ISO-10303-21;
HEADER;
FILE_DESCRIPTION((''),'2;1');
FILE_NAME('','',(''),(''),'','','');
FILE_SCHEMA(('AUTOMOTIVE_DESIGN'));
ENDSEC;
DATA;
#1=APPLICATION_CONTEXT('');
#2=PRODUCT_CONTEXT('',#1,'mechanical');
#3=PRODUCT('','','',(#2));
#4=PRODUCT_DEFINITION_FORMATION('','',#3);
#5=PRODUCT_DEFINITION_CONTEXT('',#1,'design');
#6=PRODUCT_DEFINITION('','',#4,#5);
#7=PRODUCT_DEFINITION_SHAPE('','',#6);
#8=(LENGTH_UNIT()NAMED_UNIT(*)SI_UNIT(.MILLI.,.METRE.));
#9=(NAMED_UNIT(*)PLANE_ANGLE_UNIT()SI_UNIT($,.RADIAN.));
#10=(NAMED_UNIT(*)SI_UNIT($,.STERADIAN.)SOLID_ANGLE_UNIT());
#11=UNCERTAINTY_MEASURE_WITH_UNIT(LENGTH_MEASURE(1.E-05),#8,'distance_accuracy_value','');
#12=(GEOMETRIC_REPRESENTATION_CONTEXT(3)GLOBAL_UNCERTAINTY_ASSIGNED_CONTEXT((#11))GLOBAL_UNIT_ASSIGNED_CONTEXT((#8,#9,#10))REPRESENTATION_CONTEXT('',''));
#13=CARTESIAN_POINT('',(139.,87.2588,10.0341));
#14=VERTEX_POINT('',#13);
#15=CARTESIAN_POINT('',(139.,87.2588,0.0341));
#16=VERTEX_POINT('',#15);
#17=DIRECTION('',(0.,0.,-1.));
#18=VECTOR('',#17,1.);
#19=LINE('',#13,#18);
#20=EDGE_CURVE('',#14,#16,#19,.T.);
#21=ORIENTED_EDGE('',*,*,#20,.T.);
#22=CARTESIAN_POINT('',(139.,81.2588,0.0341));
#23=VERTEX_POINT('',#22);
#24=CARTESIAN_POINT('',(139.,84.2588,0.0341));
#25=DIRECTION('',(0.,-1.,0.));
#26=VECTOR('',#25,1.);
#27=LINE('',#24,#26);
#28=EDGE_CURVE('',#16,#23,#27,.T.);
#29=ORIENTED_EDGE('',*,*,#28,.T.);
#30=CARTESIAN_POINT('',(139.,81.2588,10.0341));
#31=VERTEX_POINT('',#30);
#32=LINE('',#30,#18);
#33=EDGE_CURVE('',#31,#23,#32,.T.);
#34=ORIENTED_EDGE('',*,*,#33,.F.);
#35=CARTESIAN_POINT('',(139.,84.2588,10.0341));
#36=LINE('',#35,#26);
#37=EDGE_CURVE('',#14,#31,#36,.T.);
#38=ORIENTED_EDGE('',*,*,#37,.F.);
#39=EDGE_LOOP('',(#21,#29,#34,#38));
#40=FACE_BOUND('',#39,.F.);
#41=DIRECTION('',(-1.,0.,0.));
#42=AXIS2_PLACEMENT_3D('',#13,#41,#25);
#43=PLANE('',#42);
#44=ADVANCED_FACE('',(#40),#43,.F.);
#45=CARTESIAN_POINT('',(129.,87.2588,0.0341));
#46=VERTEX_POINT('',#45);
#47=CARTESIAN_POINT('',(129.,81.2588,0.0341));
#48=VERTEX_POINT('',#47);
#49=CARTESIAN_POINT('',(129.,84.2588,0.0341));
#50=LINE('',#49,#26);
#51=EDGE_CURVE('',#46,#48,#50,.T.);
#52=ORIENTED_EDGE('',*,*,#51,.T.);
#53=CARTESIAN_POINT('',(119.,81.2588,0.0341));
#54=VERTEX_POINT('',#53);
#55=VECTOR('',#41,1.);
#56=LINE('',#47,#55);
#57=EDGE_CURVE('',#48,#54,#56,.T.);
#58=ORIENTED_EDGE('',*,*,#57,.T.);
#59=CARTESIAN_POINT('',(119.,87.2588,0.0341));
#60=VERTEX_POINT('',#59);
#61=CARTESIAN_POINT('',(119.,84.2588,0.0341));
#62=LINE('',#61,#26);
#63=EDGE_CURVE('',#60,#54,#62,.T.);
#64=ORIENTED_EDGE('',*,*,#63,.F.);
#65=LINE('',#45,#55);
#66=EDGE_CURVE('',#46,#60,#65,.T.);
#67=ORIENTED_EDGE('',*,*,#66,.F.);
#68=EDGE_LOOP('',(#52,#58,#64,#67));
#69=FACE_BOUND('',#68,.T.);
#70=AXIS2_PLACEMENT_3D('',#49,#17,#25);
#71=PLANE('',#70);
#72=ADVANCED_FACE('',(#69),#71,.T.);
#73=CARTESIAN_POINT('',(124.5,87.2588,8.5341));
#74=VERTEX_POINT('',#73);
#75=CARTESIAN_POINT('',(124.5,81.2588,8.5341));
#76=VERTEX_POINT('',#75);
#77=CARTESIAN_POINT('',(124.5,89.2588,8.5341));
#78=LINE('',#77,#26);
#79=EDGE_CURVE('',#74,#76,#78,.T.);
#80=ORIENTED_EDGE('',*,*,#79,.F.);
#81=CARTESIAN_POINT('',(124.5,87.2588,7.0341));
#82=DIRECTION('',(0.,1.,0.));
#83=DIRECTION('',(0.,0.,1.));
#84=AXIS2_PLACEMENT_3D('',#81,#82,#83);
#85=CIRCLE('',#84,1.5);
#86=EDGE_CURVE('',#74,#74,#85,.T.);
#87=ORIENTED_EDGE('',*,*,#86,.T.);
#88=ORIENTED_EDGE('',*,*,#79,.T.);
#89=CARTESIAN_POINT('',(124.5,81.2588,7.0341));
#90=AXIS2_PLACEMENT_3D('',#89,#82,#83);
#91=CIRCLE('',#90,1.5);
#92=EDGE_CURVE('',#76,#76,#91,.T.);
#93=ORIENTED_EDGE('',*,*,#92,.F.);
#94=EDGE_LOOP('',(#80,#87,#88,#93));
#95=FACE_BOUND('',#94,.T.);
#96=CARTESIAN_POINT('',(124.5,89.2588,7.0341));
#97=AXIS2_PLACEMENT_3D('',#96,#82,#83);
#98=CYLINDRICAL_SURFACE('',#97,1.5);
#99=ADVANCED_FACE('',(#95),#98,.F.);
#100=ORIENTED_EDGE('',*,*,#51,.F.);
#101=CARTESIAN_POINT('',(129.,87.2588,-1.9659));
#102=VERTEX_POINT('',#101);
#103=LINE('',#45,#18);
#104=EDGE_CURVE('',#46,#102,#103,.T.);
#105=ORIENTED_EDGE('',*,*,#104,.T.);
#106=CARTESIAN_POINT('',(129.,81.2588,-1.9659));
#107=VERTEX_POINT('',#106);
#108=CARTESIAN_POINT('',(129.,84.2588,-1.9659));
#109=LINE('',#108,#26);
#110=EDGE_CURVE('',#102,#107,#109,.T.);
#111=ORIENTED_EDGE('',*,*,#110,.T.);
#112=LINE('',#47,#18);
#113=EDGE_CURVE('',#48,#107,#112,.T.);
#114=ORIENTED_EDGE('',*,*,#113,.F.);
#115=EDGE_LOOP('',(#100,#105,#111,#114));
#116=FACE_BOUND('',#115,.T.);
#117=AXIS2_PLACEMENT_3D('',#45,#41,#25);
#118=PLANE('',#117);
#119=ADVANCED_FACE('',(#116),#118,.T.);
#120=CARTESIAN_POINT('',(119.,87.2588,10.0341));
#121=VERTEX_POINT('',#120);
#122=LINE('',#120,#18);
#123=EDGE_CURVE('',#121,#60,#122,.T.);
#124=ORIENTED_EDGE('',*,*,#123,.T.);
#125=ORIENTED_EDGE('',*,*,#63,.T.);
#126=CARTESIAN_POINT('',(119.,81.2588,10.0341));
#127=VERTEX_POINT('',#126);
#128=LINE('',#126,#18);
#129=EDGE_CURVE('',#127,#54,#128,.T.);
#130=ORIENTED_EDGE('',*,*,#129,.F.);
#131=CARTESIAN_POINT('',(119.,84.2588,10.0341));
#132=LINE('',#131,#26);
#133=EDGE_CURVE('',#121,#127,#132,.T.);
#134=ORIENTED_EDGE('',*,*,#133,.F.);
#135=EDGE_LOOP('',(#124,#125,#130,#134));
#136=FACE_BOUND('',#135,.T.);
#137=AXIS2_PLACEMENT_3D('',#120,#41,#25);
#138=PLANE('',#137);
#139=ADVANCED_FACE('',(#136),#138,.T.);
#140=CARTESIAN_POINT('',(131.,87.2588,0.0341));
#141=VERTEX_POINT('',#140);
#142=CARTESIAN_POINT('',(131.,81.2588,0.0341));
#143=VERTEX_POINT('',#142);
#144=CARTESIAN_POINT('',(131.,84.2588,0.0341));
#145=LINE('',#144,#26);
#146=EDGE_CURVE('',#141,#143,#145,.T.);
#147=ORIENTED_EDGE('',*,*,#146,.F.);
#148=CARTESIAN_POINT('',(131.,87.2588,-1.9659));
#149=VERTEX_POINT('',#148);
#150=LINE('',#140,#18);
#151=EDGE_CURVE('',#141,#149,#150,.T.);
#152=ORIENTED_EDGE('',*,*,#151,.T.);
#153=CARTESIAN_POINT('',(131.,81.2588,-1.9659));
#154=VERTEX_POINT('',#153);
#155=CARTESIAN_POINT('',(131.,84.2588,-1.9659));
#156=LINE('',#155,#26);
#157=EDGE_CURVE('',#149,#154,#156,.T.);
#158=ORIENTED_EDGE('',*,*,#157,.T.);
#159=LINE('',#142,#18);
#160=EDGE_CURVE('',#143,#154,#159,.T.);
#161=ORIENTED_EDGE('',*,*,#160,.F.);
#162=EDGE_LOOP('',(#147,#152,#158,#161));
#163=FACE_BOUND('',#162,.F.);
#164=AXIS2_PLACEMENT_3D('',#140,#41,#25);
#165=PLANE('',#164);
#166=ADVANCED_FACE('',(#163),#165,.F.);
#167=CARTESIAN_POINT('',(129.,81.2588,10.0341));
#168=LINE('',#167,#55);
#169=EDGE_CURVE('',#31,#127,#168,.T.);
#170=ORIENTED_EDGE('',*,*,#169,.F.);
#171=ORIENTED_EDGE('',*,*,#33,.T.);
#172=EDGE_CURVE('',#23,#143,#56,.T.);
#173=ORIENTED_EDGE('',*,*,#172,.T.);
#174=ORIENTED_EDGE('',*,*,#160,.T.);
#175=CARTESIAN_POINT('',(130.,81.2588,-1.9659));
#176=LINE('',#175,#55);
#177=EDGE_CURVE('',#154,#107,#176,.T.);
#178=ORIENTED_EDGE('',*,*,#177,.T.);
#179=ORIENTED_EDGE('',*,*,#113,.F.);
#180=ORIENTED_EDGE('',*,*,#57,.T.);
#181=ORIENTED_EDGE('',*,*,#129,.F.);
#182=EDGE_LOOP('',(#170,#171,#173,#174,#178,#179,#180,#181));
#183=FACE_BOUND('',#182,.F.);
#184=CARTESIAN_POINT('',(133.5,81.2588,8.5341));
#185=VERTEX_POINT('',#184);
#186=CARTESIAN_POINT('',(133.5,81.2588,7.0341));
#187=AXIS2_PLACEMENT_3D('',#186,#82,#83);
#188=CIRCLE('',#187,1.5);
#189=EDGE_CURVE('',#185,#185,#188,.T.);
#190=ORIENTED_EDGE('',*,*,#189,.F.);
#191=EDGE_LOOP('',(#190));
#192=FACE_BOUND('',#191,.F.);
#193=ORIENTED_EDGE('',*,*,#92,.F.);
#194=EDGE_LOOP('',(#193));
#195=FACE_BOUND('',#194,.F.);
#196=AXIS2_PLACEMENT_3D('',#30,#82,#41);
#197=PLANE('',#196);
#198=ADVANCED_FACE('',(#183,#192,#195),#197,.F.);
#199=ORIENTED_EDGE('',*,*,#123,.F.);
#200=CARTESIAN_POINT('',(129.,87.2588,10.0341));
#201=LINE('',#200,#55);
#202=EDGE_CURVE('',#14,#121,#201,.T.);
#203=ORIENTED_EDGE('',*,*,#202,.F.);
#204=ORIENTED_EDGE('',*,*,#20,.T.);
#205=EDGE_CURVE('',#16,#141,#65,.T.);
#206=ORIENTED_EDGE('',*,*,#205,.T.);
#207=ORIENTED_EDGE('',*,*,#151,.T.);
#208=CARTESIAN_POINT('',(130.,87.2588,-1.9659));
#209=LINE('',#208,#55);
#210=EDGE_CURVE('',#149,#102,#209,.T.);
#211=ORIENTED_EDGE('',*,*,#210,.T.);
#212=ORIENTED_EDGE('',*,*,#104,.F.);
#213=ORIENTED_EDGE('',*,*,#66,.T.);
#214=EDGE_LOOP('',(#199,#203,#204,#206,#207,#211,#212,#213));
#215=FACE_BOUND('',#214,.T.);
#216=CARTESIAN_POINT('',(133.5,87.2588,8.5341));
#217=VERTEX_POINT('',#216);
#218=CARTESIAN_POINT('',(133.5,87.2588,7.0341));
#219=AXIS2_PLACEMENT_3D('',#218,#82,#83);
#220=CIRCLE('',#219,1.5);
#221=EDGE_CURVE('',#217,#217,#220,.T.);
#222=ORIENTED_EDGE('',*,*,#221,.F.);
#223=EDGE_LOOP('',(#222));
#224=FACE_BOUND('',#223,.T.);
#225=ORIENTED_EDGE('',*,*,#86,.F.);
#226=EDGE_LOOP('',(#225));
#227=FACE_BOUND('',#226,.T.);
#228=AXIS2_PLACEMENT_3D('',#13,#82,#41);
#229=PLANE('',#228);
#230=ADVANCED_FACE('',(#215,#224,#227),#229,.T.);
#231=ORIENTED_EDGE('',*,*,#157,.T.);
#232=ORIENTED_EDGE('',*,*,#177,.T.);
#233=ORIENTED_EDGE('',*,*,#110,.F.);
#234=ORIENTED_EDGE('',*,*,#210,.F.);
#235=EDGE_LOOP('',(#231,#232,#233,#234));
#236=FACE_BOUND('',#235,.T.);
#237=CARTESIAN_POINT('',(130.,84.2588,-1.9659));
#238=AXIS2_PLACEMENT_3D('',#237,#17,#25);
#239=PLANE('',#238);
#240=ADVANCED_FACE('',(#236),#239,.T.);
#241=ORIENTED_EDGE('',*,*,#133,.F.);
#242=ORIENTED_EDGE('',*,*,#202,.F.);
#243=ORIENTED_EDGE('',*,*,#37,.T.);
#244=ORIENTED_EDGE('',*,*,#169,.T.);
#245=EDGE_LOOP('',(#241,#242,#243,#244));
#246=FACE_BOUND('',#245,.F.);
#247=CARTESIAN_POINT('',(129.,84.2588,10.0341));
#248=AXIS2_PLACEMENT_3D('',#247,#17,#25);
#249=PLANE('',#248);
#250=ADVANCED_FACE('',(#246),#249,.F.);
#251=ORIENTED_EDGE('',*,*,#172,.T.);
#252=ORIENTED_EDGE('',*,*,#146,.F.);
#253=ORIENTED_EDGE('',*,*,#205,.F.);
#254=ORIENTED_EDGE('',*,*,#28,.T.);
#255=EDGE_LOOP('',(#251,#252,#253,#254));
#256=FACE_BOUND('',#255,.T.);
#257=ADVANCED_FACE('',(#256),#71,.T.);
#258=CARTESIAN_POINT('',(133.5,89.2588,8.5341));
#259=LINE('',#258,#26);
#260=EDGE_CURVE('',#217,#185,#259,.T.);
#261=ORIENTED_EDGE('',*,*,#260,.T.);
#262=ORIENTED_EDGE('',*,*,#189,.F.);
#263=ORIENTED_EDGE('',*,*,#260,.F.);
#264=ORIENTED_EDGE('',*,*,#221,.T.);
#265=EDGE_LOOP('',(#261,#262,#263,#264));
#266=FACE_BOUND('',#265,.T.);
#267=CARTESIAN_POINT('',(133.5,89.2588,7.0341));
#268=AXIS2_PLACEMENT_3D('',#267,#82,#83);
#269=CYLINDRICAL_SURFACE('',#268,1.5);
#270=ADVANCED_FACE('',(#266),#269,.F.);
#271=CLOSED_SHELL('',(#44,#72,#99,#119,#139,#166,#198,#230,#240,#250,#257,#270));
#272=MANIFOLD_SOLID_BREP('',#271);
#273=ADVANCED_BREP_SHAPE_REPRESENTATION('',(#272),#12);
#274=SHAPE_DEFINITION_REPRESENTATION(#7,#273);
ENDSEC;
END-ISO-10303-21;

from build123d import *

# Parameters (mm, degrees)
CYLINDER033_R           = 1.5
CYLINDER033_DEPTH       = 10
ARRAY001016_Y_COUNT     = 2
ARRAY001016_Y_PITCH     = 9
BOX016_W                = 6
BOX016_H                = 20
BOX016_DEPTH            = 10
BOX017_W                = 6
BOX017_H                = 2
BOX017_DEPTH            = 2
BODY002_ROLL_ANGLE      = 180
BODY002_PLACEMENT_ANGLE = -90


with BuildPart() as end_stop_hole_array:
    # Cylinder033 → Cylinder033 (new body)
    with BuildSketch(Plane(origin=(-2, 5.5, 3), x_dir=(0, 0, -1), z_dir=(1, 0, 0))):
        Circle(CYLINDER033_R)
    extrude(amount=CYLINDER033_DEPTH)

    # Array001016 Y: end stop hole array ×2


with BuildPart() as end_stop_hole_array_1:
    add(end_stop_hole_array.part)
    with Locations(*[(0, i * ARRAY001016_Y_PITCH, 0) for i in range(1, ARRAY001016_Y_COUNT)]):
        add(end_stop_hole_array.part)


with BuildPart() as end_stop_body_cube:
    # Box016 → Box016 (new body)
    with BuildSketch(Plane.XY):
        with Locations((3, 10)):
            Rectangle(BOX016_W, BOX016_H)
    extrude(amount=BOX016_DEPTH)


with BuildPart() as end_stop_clone001:
    # Box017 → Box017 (new body)
    with BuildSketch(Plane(origin=(0, 8, 10), x_dir=(1, 0, 0), z_dir=(0, 0, 1))):
        with Locations((3, 1)):
            Rectangle(BOX017_W, BOX017_H)
    extrude(amount=BOX017_DEPTH)

    # Fusion013: union end stop body cube
    add(end_stop_body_cube.part)

    # Cut013: cut end stop hole array
    add(end_stop_hole_array_1.part, mode=Mode.SUBTRACT)


with BuildPart() as end_stop_clone001_1:
    # Body002 roll: moved
    add(end_stop_clone001.part.rotate(Axis((0, 0, 0), (1, 0, 0)), BODY002_ROLL_ANGLE))


with BuildPart() as end_stop_clone001_2:
    # Body002 placement: moved
    add(end_stop_clone001_1.part.moved(Location((139, 87.2588, 10.0341))).rotate(Axis((139, 87.2588, 10.0341), (0, 0, 1)), BODY002_PLACEMENT_ANGLE))


solid = end_stop_clone001_2.part
